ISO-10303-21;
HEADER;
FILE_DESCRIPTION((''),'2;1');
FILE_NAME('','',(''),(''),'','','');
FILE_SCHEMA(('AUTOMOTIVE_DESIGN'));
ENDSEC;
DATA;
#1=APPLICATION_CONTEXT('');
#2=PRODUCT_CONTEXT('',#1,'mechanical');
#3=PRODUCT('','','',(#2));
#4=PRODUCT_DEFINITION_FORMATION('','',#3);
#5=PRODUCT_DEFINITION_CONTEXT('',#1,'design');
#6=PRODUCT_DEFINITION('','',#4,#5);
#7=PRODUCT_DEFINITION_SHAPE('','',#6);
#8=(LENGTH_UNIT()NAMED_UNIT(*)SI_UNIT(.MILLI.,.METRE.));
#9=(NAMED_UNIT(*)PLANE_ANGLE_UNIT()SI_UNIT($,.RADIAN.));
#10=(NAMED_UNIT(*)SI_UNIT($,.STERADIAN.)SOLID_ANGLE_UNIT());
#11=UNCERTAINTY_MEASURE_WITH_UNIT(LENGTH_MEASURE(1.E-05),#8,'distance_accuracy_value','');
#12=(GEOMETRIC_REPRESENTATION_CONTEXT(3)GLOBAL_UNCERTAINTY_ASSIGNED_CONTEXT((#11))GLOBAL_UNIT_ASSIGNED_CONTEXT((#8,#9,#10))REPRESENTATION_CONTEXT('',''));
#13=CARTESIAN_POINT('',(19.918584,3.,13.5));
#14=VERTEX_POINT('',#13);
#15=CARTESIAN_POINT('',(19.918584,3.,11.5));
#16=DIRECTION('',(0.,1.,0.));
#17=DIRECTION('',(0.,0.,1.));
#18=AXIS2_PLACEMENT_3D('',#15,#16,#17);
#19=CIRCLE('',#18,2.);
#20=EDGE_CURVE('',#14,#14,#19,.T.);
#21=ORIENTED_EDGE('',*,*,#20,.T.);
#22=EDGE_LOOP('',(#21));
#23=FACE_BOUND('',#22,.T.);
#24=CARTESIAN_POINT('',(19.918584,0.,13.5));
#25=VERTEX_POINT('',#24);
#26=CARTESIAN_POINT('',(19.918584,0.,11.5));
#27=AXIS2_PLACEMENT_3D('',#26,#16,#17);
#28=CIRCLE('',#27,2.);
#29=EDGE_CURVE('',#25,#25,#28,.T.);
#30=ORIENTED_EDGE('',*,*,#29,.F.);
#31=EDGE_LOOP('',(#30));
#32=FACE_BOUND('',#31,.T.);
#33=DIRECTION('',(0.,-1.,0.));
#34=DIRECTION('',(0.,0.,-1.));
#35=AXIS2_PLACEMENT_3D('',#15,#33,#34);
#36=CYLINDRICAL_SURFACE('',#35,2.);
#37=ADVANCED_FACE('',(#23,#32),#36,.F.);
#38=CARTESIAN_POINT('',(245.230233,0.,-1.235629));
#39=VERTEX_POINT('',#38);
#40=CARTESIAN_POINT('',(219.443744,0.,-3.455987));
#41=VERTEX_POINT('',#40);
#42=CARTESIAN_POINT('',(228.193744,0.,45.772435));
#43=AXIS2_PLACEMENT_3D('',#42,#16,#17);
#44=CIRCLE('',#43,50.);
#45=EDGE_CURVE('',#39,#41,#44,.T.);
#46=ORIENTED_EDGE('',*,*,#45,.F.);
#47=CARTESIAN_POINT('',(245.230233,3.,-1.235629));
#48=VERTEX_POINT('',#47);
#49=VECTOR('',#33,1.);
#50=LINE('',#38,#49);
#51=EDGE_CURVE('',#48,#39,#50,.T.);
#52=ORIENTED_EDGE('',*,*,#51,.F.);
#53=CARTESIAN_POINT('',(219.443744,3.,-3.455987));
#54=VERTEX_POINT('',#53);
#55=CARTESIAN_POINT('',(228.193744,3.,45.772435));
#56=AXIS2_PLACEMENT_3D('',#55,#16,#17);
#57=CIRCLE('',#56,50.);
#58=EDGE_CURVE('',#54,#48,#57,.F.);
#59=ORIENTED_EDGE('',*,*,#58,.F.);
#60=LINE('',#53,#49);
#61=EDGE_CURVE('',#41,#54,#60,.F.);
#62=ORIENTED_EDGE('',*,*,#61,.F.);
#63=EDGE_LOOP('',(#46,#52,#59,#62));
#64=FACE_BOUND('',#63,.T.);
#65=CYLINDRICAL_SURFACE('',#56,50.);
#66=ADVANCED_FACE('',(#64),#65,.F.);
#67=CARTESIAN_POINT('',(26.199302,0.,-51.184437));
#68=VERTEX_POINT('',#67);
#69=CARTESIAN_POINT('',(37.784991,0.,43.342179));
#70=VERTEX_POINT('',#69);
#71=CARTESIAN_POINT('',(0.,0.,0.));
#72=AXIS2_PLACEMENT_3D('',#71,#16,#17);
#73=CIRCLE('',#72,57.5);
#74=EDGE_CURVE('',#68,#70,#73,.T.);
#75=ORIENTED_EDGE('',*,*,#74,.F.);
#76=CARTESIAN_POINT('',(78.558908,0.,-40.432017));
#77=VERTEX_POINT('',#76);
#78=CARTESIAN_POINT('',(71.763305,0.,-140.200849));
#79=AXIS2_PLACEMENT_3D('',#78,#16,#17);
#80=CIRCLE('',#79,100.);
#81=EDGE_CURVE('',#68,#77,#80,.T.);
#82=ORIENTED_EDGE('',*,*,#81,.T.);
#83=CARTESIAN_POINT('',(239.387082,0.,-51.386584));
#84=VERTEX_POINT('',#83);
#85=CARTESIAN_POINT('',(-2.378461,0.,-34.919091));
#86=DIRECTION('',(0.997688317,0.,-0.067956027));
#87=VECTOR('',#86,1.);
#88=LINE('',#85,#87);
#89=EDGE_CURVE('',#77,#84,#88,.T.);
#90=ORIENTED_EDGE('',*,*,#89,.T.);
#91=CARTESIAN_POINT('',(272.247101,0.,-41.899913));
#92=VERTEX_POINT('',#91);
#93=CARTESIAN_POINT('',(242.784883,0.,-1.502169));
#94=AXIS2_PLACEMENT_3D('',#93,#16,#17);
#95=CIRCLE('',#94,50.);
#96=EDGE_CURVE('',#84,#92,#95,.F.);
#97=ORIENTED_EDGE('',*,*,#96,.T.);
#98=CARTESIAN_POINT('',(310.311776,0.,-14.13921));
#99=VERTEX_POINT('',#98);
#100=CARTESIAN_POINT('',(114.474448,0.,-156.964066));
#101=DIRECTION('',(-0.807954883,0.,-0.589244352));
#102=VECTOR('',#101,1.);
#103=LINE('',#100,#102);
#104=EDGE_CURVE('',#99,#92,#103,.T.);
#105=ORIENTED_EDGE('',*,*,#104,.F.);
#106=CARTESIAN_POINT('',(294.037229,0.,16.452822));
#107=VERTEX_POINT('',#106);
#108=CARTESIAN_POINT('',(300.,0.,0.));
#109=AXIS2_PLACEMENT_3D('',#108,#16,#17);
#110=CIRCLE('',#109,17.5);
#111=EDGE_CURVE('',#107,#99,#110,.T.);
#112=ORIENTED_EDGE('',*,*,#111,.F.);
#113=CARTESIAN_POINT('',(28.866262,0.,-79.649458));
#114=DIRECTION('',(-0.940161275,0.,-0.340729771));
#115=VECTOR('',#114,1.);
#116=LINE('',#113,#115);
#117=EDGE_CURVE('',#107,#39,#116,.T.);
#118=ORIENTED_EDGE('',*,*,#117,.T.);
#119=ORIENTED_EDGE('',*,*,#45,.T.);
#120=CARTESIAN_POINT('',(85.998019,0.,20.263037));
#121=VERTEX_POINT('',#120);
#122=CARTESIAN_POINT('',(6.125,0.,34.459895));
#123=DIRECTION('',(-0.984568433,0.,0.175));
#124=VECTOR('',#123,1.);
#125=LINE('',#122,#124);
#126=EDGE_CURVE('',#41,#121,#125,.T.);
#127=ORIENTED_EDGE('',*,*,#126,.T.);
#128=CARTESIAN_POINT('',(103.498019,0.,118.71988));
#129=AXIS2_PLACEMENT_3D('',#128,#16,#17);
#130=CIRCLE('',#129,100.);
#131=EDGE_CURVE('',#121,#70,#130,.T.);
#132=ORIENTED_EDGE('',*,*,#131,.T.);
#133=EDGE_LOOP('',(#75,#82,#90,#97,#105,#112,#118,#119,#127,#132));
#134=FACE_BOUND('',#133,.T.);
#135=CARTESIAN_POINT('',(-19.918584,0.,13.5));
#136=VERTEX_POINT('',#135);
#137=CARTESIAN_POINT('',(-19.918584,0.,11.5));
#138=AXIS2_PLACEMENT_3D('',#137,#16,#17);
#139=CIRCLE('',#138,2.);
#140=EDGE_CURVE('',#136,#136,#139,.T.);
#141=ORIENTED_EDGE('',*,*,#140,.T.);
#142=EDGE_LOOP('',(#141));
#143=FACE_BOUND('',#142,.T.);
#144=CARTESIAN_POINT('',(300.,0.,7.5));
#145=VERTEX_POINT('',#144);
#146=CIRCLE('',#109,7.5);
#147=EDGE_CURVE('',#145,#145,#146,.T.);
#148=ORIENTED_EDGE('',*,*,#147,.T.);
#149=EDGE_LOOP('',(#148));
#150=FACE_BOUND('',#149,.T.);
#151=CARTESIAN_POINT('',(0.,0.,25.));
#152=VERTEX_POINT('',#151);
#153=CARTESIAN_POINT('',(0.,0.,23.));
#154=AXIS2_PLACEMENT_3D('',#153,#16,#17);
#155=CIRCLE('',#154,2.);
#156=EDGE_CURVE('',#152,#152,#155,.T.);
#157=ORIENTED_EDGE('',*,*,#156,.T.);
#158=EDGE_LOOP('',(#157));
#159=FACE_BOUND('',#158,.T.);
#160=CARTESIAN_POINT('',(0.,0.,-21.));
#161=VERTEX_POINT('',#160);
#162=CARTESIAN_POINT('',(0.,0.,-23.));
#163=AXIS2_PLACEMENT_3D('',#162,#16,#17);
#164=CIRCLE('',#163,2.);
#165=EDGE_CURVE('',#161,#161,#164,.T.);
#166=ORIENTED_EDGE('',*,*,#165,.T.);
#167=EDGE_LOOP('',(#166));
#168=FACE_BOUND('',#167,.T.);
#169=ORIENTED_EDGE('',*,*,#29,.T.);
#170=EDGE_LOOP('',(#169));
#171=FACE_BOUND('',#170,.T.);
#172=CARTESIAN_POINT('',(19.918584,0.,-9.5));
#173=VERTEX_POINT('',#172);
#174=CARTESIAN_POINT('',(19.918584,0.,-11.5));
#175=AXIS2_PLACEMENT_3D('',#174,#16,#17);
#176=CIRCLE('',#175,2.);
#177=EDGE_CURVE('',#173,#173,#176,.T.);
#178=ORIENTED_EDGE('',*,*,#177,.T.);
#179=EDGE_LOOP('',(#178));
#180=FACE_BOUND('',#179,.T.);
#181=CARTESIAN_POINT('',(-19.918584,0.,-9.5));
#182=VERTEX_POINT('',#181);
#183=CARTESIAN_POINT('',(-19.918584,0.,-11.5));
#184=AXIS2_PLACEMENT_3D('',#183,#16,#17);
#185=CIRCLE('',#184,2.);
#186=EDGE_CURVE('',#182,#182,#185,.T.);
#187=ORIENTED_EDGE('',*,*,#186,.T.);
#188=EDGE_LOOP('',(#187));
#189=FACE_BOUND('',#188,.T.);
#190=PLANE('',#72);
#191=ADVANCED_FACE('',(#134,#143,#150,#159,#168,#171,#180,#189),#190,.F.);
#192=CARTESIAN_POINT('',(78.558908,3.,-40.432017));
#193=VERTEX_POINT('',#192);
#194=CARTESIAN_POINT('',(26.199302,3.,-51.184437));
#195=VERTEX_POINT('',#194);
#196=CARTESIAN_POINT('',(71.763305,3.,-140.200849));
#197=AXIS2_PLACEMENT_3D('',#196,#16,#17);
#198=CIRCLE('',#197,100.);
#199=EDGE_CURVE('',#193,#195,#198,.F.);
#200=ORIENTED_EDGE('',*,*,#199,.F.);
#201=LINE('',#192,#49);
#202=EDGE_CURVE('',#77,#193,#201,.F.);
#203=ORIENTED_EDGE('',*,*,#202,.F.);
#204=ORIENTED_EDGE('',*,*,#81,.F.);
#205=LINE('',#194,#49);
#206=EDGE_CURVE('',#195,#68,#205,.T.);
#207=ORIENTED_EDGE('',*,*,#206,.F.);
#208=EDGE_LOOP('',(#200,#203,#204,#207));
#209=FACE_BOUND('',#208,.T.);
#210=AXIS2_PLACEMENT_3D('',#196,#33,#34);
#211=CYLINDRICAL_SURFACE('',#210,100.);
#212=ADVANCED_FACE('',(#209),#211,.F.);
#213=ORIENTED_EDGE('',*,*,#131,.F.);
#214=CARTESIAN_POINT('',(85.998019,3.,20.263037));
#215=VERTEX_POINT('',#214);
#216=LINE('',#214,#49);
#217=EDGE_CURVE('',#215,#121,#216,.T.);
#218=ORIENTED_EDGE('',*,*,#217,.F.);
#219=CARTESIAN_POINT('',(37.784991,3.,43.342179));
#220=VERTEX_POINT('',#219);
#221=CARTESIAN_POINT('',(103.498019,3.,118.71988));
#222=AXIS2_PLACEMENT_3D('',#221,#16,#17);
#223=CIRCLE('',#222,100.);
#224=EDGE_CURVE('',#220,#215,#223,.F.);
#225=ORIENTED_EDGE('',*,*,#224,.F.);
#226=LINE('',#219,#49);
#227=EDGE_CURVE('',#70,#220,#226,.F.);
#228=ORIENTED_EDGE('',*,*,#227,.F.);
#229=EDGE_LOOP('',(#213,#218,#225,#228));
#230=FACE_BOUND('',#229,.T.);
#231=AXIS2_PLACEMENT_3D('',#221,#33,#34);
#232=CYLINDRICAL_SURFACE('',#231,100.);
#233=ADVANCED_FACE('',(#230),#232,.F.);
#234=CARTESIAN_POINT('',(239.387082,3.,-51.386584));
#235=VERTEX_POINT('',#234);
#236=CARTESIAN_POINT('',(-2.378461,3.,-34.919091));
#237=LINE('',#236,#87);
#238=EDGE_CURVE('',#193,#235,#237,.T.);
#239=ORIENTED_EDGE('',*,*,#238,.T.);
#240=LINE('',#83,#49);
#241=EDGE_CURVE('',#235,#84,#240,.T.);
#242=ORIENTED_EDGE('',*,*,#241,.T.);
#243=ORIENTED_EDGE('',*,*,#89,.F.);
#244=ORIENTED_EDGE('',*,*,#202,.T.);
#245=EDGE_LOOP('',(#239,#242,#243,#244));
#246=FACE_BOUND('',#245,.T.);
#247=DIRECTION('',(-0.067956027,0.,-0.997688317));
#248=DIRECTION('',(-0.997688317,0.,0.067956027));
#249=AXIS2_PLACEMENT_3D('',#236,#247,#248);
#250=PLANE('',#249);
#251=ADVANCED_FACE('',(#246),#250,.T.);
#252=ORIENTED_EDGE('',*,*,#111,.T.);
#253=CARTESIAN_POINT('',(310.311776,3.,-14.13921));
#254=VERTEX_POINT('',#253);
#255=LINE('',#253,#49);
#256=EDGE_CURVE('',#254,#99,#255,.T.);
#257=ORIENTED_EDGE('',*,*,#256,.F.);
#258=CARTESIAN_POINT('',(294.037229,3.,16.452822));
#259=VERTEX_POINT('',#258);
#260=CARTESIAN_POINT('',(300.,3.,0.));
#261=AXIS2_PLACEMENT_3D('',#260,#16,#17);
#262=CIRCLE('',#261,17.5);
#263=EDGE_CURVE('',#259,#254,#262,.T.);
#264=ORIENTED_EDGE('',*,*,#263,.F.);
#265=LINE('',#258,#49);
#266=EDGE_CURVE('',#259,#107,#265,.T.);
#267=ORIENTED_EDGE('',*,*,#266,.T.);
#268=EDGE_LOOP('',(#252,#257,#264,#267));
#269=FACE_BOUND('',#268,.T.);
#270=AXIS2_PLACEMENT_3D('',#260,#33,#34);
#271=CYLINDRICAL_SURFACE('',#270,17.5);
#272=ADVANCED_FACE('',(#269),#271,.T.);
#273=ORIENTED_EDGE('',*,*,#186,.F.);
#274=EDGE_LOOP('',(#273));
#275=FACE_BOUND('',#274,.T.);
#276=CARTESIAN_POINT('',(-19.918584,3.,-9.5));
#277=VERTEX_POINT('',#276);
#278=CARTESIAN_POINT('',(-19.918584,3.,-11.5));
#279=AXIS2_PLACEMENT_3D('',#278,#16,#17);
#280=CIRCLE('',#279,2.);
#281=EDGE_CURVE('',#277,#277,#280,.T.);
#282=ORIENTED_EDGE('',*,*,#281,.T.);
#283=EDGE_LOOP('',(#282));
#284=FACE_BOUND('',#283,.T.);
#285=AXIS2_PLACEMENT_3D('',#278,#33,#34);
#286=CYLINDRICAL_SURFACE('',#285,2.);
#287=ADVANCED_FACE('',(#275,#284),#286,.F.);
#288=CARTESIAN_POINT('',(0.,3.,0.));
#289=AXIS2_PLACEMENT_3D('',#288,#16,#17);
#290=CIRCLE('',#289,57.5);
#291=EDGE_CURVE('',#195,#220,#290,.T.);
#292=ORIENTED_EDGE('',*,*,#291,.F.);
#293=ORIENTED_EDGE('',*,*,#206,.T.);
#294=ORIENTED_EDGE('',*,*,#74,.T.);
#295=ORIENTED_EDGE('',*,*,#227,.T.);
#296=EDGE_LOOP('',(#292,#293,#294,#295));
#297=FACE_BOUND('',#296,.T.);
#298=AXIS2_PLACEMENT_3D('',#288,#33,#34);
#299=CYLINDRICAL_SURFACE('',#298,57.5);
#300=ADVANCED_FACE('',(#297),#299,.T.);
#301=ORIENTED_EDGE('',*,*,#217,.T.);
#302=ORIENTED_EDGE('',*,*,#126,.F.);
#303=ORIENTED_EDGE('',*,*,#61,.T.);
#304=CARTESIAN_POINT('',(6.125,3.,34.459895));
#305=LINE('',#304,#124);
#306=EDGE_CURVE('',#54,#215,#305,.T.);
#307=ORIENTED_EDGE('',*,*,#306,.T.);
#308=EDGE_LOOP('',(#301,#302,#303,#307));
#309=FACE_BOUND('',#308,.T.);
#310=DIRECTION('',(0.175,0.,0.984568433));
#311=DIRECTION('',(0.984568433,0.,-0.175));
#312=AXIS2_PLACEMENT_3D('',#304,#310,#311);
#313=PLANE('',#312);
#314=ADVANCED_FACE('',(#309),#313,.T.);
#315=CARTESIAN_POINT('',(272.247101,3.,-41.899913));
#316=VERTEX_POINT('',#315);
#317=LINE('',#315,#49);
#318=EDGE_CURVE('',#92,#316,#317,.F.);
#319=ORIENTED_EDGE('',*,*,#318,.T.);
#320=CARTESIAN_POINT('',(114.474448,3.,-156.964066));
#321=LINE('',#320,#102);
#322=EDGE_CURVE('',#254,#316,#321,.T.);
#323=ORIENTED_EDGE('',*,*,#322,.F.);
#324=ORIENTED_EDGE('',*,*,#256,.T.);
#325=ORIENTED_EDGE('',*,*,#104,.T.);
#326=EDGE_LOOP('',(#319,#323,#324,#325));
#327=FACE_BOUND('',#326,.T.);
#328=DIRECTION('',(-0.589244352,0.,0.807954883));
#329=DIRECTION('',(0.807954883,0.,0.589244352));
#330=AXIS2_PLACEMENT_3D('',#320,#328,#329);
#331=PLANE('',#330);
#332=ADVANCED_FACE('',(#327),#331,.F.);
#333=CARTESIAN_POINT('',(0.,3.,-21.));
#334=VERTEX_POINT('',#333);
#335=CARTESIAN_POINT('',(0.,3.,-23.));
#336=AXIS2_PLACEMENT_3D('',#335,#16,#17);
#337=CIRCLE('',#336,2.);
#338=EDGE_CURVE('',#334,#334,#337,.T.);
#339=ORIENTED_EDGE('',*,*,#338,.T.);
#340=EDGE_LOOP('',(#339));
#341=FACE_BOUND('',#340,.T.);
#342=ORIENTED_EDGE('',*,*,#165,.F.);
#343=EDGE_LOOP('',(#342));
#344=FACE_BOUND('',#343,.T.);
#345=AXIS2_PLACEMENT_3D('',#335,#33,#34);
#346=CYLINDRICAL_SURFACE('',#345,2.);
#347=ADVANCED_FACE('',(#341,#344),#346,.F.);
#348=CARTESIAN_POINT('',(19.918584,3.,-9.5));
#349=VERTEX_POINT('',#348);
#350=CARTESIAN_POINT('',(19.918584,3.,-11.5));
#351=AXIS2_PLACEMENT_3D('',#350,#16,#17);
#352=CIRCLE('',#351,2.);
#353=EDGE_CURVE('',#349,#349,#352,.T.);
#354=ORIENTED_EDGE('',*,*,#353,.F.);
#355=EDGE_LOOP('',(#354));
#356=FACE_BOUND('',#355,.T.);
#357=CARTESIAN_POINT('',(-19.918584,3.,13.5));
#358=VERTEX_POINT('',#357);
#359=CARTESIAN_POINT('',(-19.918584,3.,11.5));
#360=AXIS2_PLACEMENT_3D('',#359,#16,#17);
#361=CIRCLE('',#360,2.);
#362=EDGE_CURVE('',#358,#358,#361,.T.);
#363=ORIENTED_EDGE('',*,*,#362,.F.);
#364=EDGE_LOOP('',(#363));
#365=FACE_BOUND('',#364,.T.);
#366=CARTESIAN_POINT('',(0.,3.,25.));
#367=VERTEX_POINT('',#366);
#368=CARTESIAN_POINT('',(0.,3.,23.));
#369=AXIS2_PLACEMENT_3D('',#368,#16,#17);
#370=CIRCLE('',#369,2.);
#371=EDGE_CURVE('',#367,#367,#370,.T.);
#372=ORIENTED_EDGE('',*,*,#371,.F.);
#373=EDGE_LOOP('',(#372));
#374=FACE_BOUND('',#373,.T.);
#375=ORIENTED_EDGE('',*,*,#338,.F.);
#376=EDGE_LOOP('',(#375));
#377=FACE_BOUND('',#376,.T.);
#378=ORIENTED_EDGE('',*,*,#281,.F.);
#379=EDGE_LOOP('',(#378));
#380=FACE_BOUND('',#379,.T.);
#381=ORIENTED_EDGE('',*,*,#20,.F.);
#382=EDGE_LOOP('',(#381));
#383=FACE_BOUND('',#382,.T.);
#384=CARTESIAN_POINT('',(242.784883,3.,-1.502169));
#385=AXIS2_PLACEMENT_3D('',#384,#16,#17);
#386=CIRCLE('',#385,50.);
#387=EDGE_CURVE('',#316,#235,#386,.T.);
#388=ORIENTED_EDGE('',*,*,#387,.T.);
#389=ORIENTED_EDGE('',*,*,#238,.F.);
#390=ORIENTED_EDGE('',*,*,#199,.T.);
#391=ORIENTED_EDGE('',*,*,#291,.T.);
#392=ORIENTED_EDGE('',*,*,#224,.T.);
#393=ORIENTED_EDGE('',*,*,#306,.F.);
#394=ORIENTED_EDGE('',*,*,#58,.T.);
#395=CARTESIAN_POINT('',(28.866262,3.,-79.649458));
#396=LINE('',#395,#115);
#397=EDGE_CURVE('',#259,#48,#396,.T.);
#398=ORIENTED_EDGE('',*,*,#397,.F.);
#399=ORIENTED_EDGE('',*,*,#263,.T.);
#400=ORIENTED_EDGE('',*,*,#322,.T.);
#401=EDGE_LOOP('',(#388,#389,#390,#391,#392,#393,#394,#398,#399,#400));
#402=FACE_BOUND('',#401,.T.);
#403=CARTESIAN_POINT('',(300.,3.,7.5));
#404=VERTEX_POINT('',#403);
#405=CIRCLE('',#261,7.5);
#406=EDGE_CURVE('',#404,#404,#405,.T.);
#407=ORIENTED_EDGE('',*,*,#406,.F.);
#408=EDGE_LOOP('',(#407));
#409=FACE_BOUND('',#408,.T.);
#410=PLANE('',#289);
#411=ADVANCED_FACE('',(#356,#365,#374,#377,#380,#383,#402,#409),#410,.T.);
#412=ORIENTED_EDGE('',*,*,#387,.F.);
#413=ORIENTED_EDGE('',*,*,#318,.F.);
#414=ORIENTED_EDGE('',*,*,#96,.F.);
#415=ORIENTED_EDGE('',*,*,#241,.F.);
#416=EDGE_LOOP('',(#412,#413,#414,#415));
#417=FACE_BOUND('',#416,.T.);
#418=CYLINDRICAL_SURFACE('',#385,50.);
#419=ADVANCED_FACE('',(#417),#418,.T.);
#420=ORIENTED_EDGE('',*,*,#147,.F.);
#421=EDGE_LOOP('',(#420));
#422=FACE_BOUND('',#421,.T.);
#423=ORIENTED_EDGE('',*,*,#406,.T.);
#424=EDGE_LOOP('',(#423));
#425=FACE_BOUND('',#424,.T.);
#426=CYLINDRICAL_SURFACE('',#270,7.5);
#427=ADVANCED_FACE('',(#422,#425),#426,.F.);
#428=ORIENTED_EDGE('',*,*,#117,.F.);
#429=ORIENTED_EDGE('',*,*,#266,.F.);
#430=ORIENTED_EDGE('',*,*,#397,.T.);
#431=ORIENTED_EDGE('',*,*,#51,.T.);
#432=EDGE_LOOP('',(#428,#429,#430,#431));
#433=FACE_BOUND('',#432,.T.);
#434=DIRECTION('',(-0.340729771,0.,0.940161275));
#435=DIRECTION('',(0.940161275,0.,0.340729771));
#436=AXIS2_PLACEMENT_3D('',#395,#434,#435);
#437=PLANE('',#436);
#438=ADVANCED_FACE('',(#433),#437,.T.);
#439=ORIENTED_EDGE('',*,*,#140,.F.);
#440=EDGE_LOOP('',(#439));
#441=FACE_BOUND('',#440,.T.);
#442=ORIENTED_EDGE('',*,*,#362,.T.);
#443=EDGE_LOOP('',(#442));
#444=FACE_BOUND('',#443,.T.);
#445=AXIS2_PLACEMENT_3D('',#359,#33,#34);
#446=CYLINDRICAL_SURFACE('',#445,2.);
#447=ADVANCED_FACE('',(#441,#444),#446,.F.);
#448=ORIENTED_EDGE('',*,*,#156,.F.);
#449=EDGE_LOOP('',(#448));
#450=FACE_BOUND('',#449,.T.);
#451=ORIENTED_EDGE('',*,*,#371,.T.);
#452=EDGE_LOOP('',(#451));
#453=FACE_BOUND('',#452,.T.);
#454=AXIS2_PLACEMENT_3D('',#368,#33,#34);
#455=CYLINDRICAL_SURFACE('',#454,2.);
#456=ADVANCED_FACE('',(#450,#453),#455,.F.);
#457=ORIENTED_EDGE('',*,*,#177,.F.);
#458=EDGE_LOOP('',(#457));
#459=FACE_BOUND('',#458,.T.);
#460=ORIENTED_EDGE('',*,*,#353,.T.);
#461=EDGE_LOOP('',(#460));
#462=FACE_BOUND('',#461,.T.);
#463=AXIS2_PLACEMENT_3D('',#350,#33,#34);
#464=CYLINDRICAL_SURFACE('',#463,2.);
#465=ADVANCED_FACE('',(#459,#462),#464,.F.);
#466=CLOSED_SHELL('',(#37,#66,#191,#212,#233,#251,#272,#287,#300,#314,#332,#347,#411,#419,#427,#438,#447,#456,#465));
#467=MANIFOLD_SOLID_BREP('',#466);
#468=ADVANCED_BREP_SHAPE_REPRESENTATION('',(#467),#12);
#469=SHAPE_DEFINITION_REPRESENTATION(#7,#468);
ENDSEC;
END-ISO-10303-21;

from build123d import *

# Parameters (mm, degrees)
SKETCH1_R           = 2
SKETCH1_R_2         = 7.5
BOSS_EXTRUDE2_DEPTH = 3
FILLET1_R           = 50
FILLET2_R           = 100


with BuildPart() as part:
    # Sketch1 → Boss-Extrude2 (new body)
    with BuildSketch(Plane(origin=(0, 0, 0), x_dir=(1, 0, 0), z_dir=(0, 1, 0))):
        with BuildLine():
            Line((257.543524338, 52.623283), (43.136797408, 38.01929391))
            ThreePointArc((43.136797408, 38.01929391), (-57.072915612, -6.99516287), (51.041719813, -26.476269347))
            Line((51.041719813, -26.476269347), (232.634460204, 5.800541986))
            Line((232.634460204, 5.800541986), (294.037229007, -16.452822314))
            ThreePointArc((294.037229007, -16.452822314), (315.449808374, -8.21908883), (310.311776158, 14.139210461))
            Line((310.311776158, 14.139210461), (257.543524338, 52.623283))
        make_face()
        with Locations(Location((19.918584287, 11.5, 0), (0, 0, 270))):
            Circle(SKETCH1_R, mode=Mode.SUBTRACT)
        with Locations(Location((-19.918584287, 11.5, 0), (0, 0, 270))):
            Circle(SKETCH1_R, mode=Mode.SUBTRACT)
        with Locations(Location((0, 23, 0), (0, 0, 270))):
            Circle(SKETCH1_R, mode=Mode.SUBTRACT)
        with Locations(Location((0, -23, 0), (0, 0, 270))):
            Circle(SKETCH1_R, mode=Mode.SUBTRACT)
        with Locations(Location((-19.918584287, -11.5, 0), (0, 0, 270))):
            Circle(SKETCH1_R, mode=Mode.SUBTRACT)
        with Locations(Location((19.918584287, -11.5, 0), (0, 0, 270))):
            Circle(SKETCH1_R, mode=Mode.SUBTRACT)
        with Locations(Location((300, 0, 0), (0, 0, 270))):
            Circle(SKETCH1_R_2, mode=Mode.SUBTRACT)
    extrude(amount=BOSS_EXTRUDE2_DEPTH)

    # Fillet1
    fillet1_edges = [part.edges().sort_by_distance(p)[0] for p in [
        (232.634460204, 1.5, -5.800541986),
        (257.543524338, 1.5, -52.623283),
    ]]
    fillet(fillet1_edges, radius=FILLET1_R)

    # Fillet2
    fillet2_edges = [part.edges().sort_by_distance(p)[0] for p in [
        (51.041719813, 1.5, 26.476269347),
        (43.136797408, 1.5, -38.01929391),
    ]]
    fillet(fillet2_edges, radius=FILLET2_R)


solid = part.part
